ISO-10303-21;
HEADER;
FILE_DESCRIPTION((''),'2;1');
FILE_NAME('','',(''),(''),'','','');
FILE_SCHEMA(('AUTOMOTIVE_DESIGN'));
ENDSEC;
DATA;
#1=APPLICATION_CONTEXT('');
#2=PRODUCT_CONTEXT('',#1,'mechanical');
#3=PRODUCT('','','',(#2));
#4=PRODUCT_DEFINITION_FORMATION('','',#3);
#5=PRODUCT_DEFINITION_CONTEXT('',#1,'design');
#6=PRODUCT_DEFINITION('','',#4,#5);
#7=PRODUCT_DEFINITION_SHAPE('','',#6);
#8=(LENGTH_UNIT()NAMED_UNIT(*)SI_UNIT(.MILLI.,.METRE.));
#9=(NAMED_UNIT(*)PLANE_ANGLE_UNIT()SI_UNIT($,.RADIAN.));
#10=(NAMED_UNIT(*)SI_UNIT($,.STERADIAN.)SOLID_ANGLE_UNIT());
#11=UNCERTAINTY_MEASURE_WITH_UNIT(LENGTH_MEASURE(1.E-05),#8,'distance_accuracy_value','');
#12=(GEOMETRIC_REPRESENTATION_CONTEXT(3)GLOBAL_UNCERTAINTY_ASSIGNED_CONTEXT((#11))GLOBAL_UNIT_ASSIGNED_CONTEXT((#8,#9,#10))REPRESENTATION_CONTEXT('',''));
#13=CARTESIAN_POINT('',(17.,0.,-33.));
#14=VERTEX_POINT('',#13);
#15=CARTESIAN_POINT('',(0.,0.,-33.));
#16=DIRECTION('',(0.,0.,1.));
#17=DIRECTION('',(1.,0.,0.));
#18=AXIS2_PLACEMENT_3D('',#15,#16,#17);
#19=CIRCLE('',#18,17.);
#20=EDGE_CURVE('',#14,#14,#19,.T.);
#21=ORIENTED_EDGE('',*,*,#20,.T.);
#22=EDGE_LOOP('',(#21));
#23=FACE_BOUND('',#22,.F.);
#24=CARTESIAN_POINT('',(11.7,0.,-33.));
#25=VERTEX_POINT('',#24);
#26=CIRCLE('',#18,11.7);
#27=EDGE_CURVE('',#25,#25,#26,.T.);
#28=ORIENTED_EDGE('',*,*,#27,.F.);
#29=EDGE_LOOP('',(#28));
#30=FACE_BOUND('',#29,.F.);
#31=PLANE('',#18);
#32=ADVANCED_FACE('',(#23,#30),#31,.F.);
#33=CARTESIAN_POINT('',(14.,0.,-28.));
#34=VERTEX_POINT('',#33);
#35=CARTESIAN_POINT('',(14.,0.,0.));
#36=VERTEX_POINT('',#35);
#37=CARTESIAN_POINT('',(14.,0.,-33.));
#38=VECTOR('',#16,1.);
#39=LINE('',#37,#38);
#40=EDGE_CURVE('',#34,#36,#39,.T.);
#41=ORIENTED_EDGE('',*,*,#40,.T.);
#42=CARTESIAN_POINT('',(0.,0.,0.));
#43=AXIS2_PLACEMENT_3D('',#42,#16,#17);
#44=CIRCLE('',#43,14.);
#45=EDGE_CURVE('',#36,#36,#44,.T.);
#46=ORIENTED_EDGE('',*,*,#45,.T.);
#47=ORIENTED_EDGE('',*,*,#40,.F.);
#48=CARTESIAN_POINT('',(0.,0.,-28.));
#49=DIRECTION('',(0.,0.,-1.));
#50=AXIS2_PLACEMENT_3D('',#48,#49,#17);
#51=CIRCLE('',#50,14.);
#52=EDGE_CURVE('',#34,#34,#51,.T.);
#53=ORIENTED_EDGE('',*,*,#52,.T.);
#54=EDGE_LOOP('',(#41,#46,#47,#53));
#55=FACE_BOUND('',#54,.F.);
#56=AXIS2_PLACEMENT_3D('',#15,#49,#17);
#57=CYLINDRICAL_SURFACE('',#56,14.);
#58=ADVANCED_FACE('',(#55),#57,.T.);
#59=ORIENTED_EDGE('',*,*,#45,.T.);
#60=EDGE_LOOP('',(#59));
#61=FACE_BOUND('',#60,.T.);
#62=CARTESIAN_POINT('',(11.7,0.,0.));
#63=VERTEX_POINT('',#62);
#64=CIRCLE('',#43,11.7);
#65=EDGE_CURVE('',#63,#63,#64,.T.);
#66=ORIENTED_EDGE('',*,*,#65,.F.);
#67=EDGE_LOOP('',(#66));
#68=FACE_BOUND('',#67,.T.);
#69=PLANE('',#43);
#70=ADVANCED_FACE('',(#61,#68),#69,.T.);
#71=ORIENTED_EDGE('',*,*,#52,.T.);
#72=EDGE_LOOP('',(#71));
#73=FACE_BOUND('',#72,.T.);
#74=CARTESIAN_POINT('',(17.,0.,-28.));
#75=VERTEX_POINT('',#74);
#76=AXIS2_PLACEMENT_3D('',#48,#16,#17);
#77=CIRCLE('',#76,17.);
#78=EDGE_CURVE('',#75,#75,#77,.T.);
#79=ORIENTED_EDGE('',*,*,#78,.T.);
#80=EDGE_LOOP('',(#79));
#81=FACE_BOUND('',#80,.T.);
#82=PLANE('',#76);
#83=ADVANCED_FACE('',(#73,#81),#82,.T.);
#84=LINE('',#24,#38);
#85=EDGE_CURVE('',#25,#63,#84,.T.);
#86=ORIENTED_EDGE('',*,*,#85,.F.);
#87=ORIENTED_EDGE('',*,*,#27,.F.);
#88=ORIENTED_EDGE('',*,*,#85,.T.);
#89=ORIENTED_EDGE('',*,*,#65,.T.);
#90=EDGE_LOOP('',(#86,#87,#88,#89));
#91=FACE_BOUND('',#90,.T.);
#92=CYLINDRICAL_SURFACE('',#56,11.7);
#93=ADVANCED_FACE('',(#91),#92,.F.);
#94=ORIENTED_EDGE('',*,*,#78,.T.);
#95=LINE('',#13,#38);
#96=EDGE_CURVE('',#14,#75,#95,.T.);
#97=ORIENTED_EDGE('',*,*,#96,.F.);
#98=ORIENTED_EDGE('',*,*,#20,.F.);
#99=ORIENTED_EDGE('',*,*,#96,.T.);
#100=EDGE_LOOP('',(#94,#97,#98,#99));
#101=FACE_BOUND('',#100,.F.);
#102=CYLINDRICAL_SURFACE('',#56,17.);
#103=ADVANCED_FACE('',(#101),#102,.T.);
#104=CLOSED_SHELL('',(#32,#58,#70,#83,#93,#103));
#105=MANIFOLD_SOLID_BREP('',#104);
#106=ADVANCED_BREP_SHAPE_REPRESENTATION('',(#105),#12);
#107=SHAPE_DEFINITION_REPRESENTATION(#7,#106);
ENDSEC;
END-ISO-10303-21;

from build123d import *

# Parameters (mm, degrees)
CYLINDER093_R     = 1.5
CYLINDER093_DEPTH = 14
CYLINDER090_R     = 11.7
CYLINDER090_DEPTH = 33
CYLINDER094_R     = 1.5
CYLINDER094_DEPTH = 14
CYLINDER088_R     = 14
CYLINDER088_DEPTH = 33
BOX016_W          = 1
BOX016_H          = 1
BOX016_DEPTH      = 1
CYLINDER084_R     = 17
CYLINDER084_DEPTH = 5


with BuildPart() as ftinsmount1:
    # Cylinder093 → Cylinder093 (new body)
    with BuildSketch(Plane(origin=(53.66, 148, -15), x_dir=(1, 0, 0), z_dir=(0, 0, 1))):
        Circle(CYLINDER093_R)
    extrude(amount=CYLINDER093_DEPTH)


with BuildPart() as ftinsinnerhole:
    # Cylinder090 → Cylinder090 (new body)
    with BuildSketch(Plane(origin=(73.66, 148, -10), x_dir=(1, 0, 0), z_dir=(0, 0, 1))):
        Circle(CYLINDER090_R)
    extrude(amount=CYLINDER090_DEPTH)


with BuildPart() as fusion039:
    # Cylinder094 → Cylinder094 (new body)
    with BuildSketch(Plane(origin=(93.66, 148, -14), x_dir=(1, 0, 0), z_dir=(0, 0, 1))):
        Circle(CYLINDER094_R)
    extrude(amount=CYLINDER094_DEPTH)

    # Fusion039: union FTInsMount1, FTInsInnerHole
    add(ftinsmount1.part)
    add(ftinsinnerhole.part)


with BuildPart() as feedthrough008:
    # Cylinder088 → Cylinder088 (new body)
    with BuildSketch(Plane(origin=(73.66, 148, -10), x_dir=(1, 0, 0), z_dir=(0, 0, 1))):
        Circle(CYLINDER088_R)
    extrude(amount=CYLINDER088_DEPTH)


with BuildPart() as ftinslug:
    # Box016 → Box016 (new body)
    with BuildSketch(Plane(origin=(63, 136, -8), x_dir=(1, 0, 0), z_dir=(0, 0, 1))):
        with Locations((0.5, 0.5)):
            Rectangle(BOX016_W, BOX016_H)
    extrude(amount=BOX016_DEPTH)


with BuildPart() as base_ftinsulator1:
    # Cylinder084 → Cylinder084 (new body)
    with BuildSketch(Plane(origin=(73.66, 148, -10), x_dir=(1, 0, 0), z_dir=(0, 0, 1))):
        Circle(CYLINDER084_R)
    extrude(amount=CYLINDER084_DEPTH)

    # Fusion038: union Feedthrough008, FTInsLug
    add(feedthrough008.part)
    add(ftinslug.part)

    # Cut010: cut Fusion039
    add(fusion039.part, mode=Mode.SUBTRACT)


with BuildPart() as base_ftinsulator1_1:
    # Cut010 placement: moved
    add(base_ftinsulator1.part.moved(Location((-73.66, -148, -23))))


solid = base_ftinsulator1_1.part
